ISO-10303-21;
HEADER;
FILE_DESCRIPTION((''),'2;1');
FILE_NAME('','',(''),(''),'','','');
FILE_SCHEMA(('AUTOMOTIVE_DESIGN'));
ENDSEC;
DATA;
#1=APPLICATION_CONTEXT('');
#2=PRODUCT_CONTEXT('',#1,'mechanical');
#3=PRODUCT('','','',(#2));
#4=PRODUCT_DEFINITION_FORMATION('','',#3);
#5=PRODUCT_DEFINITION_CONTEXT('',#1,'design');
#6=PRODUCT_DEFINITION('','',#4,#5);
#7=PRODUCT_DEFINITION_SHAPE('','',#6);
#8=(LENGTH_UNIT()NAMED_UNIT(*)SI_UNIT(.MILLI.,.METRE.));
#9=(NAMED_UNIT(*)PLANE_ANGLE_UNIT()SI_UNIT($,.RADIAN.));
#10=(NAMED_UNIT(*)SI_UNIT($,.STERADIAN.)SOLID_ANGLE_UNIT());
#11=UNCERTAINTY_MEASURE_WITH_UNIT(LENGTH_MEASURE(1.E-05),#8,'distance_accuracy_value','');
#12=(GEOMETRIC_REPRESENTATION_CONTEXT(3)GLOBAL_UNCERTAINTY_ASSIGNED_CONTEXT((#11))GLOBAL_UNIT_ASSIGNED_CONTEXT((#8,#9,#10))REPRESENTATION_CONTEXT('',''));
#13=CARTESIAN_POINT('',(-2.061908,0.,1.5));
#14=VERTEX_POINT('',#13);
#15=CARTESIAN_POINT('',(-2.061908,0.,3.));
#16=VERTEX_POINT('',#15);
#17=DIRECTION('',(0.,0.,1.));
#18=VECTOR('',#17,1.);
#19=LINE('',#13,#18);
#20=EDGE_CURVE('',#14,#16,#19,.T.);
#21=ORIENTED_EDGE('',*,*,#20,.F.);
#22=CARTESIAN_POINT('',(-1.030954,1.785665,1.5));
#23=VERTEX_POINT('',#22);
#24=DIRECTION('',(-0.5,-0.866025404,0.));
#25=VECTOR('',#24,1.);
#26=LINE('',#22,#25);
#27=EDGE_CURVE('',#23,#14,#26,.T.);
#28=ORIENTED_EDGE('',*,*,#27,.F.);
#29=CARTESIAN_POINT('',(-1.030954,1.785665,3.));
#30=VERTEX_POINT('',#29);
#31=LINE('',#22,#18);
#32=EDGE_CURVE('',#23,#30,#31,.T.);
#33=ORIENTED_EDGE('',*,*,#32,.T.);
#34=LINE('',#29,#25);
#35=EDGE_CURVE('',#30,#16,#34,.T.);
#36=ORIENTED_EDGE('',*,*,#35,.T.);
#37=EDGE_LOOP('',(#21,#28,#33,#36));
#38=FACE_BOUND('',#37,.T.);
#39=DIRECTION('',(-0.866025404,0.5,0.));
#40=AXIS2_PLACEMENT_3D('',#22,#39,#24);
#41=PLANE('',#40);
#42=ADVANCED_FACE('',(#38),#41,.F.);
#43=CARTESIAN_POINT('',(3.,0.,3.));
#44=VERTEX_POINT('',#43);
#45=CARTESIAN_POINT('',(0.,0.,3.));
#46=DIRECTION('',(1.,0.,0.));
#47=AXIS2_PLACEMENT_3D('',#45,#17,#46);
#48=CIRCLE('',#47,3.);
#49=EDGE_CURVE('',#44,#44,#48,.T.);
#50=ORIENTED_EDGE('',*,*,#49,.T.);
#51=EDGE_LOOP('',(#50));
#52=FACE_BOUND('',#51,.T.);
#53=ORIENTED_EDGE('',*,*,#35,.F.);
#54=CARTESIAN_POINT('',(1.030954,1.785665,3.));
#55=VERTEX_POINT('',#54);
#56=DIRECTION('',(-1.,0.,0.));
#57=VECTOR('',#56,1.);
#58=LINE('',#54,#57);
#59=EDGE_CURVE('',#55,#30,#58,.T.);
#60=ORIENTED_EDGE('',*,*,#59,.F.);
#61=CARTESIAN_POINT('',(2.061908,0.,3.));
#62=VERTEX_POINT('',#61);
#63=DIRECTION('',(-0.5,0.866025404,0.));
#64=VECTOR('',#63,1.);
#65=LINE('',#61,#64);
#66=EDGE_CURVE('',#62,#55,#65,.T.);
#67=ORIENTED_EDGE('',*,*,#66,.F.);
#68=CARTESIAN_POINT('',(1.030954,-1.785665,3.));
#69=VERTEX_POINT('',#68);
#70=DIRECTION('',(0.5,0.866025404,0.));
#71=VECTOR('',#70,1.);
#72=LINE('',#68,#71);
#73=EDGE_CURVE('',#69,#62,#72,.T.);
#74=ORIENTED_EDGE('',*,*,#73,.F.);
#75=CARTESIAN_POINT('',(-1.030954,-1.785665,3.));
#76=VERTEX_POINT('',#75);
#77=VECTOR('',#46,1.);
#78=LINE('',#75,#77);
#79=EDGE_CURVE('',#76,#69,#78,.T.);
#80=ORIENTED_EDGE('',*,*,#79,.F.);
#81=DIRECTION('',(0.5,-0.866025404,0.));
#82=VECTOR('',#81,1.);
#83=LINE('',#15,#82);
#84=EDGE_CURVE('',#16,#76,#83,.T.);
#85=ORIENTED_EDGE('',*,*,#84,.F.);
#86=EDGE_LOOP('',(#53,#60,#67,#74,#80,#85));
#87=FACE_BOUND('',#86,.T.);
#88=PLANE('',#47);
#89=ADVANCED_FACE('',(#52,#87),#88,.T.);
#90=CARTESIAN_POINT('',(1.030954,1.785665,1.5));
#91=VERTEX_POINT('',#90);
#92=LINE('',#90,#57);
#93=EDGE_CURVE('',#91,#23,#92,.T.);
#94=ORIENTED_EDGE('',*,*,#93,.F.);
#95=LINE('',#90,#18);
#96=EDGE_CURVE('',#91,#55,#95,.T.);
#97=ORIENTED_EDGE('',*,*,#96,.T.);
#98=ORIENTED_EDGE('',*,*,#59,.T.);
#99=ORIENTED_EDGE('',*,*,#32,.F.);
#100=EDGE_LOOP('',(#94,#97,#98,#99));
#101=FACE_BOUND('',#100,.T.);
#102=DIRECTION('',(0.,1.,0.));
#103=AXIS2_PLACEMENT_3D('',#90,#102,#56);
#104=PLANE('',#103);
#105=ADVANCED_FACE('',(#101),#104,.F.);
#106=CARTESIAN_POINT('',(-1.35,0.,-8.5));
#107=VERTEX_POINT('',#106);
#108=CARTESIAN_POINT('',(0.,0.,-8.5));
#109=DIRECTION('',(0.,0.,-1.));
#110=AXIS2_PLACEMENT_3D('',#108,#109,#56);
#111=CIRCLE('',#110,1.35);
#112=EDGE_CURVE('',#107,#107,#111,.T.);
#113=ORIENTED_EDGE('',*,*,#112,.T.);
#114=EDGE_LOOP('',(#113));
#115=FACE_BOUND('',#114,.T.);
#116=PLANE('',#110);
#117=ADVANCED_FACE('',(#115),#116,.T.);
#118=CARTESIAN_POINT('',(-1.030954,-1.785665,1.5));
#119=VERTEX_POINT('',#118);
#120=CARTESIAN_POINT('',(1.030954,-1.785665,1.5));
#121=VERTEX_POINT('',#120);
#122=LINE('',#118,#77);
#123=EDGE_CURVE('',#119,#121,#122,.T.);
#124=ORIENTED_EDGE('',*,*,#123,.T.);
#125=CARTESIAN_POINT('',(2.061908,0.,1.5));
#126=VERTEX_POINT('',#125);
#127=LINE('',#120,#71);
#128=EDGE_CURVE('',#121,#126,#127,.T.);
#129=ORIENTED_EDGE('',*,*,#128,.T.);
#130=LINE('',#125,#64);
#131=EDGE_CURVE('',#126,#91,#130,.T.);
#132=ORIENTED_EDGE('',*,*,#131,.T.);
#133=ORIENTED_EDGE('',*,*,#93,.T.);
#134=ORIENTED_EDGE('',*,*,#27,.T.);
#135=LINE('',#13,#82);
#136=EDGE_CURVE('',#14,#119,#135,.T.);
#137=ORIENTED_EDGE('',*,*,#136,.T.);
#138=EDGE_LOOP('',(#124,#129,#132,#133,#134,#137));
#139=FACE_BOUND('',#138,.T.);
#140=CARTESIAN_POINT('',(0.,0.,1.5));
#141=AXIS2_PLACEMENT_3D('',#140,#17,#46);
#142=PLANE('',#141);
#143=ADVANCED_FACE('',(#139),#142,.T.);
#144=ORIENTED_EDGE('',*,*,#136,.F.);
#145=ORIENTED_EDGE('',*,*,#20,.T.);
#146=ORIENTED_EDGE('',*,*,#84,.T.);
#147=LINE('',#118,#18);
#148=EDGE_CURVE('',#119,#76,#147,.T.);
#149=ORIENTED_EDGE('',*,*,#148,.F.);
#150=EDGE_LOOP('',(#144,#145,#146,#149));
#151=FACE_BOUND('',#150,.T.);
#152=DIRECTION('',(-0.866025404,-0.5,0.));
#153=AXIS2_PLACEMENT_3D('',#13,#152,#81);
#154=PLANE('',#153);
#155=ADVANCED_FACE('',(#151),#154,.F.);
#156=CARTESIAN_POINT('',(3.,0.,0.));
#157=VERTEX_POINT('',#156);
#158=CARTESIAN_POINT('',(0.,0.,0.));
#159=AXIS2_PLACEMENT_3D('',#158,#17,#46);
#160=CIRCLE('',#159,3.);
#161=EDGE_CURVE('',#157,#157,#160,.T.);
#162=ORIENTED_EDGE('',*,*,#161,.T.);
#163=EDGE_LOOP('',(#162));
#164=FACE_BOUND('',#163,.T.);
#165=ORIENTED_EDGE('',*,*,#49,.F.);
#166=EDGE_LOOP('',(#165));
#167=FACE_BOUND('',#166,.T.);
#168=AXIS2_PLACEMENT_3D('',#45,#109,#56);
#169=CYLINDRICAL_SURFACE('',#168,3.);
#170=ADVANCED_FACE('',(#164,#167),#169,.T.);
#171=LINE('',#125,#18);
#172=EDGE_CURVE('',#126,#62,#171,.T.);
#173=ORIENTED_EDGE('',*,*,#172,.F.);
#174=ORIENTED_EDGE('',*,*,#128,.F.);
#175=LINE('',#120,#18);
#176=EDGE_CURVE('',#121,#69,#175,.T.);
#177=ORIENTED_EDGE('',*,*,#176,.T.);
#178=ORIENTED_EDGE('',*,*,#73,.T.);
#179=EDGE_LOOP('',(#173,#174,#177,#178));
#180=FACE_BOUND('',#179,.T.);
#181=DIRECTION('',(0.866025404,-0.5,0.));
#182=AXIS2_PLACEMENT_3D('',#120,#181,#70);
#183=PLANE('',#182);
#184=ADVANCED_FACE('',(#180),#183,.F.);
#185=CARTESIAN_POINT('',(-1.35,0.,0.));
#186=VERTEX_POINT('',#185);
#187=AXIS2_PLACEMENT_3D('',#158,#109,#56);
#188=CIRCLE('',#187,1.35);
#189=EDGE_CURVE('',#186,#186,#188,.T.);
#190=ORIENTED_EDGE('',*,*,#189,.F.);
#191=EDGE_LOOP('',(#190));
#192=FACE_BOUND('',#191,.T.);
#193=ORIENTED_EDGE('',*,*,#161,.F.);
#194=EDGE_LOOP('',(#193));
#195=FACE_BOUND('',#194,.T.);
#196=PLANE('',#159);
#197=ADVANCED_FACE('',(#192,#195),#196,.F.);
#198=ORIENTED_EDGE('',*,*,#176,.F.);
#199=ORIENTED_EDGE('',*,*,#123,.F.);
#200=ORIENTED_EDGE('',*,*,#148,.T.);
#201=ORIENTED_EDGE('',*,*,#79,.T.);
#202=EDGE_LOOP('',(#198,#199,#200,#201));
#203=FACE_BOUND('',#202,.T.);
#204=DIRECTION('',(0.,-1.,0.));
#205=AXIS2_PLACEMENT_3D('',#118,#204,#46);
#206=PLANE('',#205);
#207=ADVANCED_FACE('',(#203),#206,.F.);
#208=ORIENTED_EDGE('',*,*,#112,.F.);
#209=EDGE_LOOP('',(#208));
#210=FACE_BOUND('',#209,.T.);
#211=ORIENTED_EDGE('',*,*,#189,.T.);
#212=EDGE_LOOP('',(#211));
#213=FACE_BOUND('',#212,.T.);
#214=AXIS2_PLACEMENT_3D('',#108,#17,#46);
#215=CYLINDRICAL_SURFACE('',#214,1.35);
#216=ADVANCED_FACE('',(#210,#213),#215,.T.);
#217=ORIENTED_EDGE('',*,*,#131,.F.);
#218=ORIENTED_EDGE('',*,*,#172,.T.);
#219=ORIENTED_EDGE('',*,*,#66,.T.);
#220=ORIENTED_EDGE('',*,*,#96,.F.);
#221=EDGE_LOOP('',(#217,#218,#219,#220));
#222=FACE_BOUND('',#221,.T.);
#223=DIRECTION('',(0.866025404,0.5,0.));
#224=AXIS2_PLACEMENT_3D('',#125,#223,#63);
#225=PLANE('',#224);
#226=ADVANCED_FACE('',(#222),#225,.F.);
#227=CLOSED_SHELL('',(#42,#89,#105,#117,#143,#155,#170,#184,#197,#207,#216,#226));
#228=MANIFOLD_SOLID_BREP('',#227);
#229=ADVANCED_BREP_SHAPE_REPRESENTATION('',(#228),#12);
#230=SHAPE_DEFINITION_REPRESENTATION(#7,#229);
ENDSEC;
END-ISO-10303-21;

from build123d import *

# Parameters (mm, degrees)
SKETCH1_R           = 3
BOSS_EXTRUDE1_DEPTH = 3
CUT_EXTRUDE1_DEPTH  = 1.5
SKETCH4_R           = 1.35
BOSS_EXTRUDE2_DEPTH = 8.5


with BuildPart() as part:
    # Sketch1 → Boss-Extrude1 (new body)
    with BuildSketch(Plane.XY):
        Circle(SKETCH1_R)
    extrude(amount=BOSS_EXTRUDE1_DEPTH)

    # Sketch2 → Cut-Extrude1 (cut)
    with BuildSketch(Plane.XY.offset(3)):
        Polygon((2.06190779, 0), (1.030953895, 1.785664527), (-1.030953895, 1.785664527), (-2.06190779, 0), (-1.030953895, -1.785664527), (1.030953895, -1.785664527), align=None)
    extrude(amount=-CUT_EXTRUDE1_DEPTH, mode=Mode.SUBTRACT)

    # Sketch4 → Boss-Extrude2 (add)
    with BuildSketch(Plane(origin=(0, 0, 0), x_dir=(-1, 0, 0), z_dir=(0, 0, -1))):
        Circle(SKETCH4_R)
    extrude(amount=BOSS_EXTRUDE2_DEPTH)


solid = part.part
